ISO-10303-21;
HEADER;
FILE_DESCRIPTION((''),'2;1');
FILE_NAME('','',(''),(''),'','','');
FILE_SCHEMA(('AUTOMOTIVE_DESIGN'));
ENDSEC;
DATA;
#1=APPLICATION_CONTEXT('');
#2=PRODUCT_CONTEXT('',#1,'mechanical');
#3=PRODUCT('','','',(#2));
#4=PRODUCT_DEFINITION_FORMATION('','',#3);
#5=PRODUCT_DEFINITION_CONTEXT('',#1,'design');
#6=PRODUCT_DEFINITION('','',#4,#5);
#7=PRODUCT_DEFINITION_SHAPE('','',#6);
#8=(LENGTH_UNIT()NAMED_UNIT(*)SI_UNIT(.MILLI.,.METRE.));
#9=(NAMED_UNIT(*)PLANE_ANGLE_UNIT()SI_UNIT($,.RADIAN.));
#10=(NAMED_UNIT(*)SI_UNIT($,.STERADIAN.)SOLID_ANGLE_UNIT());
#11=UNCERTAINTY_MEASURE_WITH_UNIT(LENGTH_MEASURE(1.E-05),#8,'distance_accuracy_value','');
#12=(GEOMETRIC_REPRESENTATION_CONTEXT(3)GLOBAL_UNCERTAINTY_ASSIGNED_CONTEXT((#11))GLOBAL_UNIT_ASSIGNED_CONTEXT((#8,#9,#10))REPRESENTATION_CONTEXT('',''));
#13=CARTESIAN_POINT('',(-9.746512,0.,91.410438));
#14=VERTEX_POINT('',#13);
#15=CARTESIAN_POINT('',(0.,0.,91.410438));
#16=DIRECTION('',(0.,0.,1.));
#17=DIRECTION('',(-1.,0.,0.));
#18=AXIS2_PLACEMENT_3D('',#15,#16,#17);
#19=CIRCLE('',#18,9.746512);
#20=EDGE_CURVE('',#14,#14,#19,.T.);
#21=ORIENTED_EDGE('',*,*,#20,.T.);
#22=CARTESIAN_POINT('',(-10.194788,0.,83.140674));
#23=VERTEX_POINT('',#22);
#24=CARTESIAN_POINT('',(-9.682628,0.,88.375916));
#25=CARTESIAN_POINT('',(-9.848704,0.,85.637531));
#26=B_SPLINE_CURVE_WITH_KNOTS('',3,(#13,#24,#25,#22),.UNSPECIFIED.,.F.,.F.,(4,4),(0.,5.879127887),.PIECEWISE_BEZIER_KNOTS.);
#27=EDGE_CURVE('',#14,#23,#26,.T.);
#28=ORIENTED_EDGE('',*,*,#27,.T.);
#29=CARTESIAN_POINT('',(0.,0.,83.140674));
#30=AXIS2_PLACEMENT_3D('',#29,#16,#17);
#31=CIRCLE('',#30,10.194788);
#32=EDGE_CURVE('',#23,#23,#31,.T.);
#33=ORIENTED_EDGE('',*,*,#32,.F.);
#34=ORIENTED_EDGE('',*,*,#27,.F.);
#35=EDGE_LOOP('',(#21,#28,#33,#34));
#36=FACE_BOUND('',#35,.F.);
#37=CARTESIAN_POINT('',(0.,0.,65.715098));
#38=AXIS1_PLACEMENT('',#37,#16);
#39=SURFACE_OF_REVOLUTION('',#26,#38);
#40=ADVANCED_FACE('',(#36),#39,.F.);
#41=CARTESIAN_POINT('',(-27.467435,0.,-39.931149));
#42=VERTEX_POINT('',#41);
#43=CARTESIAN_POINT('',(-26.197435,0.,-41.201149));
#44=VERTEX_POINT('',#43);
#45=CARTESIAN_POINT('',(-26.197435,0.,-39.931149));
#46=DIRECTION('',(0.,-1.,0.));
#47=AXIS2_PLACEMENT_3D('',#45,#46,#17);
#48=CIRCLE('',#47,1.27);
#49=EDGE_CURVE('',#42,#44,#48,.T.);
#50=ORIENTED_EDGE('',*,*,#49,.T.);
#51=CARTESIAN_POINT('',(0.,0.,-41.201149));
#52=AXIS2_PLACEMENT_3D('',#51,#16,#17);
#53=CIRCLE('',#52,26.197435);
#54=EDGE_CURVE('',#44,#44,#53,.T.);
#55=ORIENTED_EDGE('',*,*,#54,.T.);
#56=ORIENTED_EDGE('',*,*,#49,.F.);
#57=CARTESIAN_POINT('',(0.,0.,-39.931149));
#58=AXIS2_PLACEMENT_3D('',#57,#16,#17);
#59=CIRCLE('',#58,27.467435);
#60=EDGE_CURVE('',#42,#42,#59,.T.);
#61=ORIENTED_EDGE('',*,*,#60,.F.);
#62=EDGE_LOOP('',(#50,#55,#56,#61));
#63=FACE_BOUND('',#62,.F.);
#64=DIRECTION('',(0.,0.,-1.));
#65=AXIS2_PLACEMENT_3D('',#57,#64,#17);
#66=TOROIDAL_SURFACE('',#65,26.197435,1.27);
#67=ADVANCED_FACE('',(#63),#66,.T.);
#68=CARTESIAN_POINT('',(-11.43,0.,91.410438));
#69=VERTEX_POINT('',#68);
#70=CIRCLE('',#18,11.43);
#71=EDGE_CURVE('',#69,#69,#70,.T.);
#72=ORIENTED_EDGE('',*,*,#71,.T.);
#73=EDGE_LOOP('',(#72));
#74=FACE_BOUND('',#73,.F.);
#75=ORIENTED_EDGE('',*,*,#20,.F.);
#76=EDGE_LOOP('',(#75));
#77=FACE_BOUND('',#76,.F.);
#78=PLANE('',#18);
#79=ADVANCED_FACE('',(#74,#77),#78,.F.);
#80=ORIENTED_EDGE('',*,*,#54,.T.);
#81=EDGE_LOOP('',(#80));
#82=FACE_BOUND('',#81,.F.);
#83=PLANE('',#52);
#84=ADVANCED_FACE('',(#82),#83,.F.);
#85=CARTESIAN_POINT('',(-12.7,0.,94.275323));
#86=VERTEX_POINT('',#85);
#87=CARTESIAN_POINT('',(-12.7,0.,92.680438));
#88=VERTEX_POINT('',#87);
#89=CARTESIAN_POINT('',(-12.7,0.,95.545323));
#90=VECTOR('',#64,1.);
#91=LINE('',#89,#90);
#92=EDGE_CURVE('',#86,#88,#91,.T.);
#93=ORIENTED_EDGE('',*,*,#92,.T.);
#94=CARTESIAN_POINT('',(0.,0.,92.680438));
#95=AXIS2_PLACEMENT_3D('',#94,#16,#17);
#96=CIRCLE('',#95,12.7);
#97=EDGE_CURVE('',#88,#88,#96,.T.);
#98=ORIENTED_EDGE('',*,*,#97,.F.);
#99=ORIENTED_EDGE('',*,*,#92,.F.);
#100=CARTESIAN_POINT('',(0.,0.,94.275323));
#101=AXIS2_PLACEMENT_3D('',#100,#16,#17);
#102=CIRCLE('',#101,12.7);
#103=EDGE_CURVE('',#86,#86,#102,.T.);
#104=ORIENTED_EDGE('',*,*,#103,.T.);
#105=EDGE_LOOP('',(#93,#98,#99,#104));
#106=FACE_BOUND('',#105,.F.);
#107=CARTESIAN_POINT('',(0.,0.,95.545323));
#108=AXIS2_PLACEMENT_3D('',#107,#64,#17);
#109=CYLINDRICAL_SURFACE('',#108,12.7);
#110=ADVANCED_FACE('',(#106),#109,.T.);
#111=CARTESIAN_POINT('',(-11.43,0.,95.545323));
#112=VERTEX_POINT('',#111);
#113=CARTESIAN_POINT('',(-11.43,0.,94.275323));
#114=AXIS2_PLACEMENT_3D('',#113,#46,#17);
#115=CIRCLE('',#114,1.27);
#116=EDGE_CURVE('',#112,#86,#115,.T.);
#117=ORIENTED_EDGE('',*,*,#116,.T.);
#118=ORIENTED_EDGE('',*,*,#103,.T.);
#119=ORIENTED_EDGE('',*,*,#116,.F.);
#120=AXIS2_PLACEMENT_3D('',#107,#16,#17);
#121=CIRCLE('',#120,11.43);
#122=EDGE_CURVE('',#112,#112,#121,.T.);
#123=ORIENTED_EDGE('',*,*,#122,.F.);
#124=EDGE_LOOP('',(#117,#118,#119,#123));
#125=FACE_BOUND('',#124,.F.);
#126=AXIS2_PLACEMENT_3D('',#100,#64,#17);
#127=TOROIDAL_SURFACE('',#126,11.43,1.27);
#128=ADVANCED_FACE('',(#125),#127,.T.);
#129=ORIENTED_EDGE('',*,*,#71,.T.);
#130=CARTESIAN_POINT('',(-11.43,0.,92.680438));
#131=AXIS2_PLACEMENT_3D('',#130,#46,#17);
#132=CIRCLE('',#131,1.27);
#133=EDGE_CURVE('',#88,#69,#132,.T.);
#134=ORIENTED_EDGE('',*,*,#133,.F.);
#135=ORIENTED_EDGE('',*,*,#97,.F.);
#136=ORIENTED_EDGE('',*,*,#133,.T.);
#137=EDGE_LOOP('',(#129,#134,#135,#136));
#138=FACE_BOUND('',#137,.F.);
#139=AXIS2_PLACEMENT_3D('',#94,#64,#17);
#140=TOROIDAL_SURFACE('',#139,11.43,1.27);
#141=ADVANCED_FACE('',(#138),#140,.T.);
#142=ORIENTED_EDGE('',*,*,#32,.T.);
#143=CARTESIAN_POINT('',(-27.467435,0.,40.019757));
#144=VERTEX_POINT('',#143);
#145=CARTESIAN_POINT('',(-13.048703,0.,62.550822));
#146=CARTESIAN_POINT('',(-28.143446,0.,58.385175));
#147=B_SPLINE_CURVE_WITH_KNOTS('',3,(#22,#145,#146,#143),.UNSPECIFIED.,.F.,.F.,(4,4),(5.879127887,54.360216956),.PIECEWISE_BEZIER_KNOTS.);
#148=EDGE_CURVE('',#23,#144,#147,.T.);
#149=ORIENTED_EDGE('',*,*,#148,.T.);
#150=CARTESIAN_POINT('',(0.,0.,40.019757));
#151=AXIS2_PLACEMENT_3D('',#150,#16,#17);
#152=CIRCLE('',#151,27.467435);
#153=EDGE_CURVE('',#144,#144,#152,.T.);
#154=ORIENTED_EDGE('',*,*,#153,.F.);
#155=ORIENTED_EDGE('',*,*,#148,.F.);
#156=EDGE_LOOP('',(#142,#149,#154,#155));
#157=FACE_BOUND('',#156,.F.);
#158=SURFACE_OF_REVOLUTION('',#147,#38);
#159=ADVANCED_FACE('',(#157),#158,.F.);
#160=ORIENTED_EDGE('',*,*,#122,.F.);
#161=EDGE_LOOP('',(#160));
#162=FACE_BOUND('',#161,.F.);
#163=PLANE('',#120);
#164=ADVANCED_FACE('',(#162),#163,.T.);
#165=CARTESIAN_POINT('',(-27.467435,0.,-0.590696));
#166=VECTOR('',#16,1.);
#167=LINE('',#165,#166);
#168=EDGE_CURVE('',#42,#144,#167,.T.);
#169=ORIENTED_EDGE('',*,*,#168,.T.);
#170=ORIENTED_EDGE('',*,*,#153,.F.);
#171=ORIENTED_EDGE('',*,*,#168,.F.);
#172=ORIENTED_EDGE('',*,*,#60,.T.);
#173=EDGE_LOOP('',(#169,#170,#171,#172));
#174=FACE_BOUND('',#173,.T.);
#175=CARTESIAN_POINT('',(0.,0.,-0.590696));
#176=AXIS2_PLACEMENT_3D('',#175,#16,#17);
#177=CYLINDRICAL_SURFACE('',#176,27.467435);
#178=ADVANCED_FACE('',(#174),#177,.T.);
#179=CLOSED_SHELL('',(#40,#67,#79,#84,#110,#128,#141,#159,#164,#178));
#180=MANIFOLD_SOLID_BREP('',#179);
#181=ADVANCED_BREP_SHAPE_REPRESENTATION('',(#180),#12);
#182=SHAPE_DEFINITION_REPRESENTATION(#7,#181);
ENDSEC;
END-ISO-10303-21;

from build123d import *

# Parameters (mm, degrees)
F0_W = 27.4674350193
F0_H = 81.2209066684
F5_R = 1.27


with BuildPart() as f1:
    # F0 (on Front) → F1 (revolve)
    with BuildSketch(Plane.XZ):
        with Locations((-13.7337175096, -0.5906961542)):
            Rectangle(F0_W, F0_H)
    revolve(axis=Axis((0, 0, -0.5906961542), (0, 0, 1)))

    # F0 (on Front) → F2 (revolve)
    with BuildSketch(Plane.XZ):
        with BuildLine():
            Line((-27.4674350193, 40.0197571801), (0, 40.0197571801))
            Line((0, 40.0197571801), (0, 83.1406737302))
            Line((0, 83.1406737302), (-10.1947877868, 83.1406737302))
            add(Edge.make_bspline(
                [(-10.1947877868, 83.1406737302), (-13.0487030437, 62.5508222314), (-28.143446303, 58.3851752324), (-27.4674350193, 40.0197571801)],
                knots=[5.8791278865, 5.8791278865, 5.8791278865, 5.8791278865, 54.3602169565, 54.3602169565, 54.3602169565, 54.3602169565], degree=3))
        make_face()
    revolve(axis=Axis((0, 0, 65.7150976558), (0, 0, 1)))

    # F0 (on Front) → F3 (revolve)
    with BuildSketch(Plane.XZ):
        with BuildLine():
            Line((-10.1947877868, 83.1406737302), (0, 83.1406737302))
            Line((0, 83.1406737302), (0, 91.4104381316))
            Line((0, 91.4104381316), (-9.746512388, 91.4104381316))
            add(Edge.make_bspline(
                [(-9.746512388, 91.4104381316), (-9.6826276693, 88.3759155541), (-9.8487037137, 85.6375312152), (-10.1947877868, 83.1406737302)],
                knots=[0, 0, 0, 0, 5.8791278865, 5.8791278865, 5.8791278865, 5.8791278865], degree=3))
        make_face()
    revolve(axis=Axis((0, 0, 65.7150976558), (0, 0, 1)))

    # F0 (on Front) → F4 (revolve)
    with BuildSketch(Plane.XZ):
        Polygon((-9.746512388, 91.4104381316), (0, 91.4104381316), (0, 95.5453233728), (-12.7, 95.5453233728), (-12.7, 91.4104381316), align=None)
    revolve(axis=Axis((0, 0, 93.4778807522), (0, 0, 1)))

    # F5
    f5_edges = [f1.edges().sort_by_distance(p)[0] for p in [
        (12.7, 0, 91.410438),
        (12.7, 0, 95.545323),
        (27.467435, 0, -41.201149),
    ]]
    fillet(f5_edges, radius=F5_R)


solid = f1.part
